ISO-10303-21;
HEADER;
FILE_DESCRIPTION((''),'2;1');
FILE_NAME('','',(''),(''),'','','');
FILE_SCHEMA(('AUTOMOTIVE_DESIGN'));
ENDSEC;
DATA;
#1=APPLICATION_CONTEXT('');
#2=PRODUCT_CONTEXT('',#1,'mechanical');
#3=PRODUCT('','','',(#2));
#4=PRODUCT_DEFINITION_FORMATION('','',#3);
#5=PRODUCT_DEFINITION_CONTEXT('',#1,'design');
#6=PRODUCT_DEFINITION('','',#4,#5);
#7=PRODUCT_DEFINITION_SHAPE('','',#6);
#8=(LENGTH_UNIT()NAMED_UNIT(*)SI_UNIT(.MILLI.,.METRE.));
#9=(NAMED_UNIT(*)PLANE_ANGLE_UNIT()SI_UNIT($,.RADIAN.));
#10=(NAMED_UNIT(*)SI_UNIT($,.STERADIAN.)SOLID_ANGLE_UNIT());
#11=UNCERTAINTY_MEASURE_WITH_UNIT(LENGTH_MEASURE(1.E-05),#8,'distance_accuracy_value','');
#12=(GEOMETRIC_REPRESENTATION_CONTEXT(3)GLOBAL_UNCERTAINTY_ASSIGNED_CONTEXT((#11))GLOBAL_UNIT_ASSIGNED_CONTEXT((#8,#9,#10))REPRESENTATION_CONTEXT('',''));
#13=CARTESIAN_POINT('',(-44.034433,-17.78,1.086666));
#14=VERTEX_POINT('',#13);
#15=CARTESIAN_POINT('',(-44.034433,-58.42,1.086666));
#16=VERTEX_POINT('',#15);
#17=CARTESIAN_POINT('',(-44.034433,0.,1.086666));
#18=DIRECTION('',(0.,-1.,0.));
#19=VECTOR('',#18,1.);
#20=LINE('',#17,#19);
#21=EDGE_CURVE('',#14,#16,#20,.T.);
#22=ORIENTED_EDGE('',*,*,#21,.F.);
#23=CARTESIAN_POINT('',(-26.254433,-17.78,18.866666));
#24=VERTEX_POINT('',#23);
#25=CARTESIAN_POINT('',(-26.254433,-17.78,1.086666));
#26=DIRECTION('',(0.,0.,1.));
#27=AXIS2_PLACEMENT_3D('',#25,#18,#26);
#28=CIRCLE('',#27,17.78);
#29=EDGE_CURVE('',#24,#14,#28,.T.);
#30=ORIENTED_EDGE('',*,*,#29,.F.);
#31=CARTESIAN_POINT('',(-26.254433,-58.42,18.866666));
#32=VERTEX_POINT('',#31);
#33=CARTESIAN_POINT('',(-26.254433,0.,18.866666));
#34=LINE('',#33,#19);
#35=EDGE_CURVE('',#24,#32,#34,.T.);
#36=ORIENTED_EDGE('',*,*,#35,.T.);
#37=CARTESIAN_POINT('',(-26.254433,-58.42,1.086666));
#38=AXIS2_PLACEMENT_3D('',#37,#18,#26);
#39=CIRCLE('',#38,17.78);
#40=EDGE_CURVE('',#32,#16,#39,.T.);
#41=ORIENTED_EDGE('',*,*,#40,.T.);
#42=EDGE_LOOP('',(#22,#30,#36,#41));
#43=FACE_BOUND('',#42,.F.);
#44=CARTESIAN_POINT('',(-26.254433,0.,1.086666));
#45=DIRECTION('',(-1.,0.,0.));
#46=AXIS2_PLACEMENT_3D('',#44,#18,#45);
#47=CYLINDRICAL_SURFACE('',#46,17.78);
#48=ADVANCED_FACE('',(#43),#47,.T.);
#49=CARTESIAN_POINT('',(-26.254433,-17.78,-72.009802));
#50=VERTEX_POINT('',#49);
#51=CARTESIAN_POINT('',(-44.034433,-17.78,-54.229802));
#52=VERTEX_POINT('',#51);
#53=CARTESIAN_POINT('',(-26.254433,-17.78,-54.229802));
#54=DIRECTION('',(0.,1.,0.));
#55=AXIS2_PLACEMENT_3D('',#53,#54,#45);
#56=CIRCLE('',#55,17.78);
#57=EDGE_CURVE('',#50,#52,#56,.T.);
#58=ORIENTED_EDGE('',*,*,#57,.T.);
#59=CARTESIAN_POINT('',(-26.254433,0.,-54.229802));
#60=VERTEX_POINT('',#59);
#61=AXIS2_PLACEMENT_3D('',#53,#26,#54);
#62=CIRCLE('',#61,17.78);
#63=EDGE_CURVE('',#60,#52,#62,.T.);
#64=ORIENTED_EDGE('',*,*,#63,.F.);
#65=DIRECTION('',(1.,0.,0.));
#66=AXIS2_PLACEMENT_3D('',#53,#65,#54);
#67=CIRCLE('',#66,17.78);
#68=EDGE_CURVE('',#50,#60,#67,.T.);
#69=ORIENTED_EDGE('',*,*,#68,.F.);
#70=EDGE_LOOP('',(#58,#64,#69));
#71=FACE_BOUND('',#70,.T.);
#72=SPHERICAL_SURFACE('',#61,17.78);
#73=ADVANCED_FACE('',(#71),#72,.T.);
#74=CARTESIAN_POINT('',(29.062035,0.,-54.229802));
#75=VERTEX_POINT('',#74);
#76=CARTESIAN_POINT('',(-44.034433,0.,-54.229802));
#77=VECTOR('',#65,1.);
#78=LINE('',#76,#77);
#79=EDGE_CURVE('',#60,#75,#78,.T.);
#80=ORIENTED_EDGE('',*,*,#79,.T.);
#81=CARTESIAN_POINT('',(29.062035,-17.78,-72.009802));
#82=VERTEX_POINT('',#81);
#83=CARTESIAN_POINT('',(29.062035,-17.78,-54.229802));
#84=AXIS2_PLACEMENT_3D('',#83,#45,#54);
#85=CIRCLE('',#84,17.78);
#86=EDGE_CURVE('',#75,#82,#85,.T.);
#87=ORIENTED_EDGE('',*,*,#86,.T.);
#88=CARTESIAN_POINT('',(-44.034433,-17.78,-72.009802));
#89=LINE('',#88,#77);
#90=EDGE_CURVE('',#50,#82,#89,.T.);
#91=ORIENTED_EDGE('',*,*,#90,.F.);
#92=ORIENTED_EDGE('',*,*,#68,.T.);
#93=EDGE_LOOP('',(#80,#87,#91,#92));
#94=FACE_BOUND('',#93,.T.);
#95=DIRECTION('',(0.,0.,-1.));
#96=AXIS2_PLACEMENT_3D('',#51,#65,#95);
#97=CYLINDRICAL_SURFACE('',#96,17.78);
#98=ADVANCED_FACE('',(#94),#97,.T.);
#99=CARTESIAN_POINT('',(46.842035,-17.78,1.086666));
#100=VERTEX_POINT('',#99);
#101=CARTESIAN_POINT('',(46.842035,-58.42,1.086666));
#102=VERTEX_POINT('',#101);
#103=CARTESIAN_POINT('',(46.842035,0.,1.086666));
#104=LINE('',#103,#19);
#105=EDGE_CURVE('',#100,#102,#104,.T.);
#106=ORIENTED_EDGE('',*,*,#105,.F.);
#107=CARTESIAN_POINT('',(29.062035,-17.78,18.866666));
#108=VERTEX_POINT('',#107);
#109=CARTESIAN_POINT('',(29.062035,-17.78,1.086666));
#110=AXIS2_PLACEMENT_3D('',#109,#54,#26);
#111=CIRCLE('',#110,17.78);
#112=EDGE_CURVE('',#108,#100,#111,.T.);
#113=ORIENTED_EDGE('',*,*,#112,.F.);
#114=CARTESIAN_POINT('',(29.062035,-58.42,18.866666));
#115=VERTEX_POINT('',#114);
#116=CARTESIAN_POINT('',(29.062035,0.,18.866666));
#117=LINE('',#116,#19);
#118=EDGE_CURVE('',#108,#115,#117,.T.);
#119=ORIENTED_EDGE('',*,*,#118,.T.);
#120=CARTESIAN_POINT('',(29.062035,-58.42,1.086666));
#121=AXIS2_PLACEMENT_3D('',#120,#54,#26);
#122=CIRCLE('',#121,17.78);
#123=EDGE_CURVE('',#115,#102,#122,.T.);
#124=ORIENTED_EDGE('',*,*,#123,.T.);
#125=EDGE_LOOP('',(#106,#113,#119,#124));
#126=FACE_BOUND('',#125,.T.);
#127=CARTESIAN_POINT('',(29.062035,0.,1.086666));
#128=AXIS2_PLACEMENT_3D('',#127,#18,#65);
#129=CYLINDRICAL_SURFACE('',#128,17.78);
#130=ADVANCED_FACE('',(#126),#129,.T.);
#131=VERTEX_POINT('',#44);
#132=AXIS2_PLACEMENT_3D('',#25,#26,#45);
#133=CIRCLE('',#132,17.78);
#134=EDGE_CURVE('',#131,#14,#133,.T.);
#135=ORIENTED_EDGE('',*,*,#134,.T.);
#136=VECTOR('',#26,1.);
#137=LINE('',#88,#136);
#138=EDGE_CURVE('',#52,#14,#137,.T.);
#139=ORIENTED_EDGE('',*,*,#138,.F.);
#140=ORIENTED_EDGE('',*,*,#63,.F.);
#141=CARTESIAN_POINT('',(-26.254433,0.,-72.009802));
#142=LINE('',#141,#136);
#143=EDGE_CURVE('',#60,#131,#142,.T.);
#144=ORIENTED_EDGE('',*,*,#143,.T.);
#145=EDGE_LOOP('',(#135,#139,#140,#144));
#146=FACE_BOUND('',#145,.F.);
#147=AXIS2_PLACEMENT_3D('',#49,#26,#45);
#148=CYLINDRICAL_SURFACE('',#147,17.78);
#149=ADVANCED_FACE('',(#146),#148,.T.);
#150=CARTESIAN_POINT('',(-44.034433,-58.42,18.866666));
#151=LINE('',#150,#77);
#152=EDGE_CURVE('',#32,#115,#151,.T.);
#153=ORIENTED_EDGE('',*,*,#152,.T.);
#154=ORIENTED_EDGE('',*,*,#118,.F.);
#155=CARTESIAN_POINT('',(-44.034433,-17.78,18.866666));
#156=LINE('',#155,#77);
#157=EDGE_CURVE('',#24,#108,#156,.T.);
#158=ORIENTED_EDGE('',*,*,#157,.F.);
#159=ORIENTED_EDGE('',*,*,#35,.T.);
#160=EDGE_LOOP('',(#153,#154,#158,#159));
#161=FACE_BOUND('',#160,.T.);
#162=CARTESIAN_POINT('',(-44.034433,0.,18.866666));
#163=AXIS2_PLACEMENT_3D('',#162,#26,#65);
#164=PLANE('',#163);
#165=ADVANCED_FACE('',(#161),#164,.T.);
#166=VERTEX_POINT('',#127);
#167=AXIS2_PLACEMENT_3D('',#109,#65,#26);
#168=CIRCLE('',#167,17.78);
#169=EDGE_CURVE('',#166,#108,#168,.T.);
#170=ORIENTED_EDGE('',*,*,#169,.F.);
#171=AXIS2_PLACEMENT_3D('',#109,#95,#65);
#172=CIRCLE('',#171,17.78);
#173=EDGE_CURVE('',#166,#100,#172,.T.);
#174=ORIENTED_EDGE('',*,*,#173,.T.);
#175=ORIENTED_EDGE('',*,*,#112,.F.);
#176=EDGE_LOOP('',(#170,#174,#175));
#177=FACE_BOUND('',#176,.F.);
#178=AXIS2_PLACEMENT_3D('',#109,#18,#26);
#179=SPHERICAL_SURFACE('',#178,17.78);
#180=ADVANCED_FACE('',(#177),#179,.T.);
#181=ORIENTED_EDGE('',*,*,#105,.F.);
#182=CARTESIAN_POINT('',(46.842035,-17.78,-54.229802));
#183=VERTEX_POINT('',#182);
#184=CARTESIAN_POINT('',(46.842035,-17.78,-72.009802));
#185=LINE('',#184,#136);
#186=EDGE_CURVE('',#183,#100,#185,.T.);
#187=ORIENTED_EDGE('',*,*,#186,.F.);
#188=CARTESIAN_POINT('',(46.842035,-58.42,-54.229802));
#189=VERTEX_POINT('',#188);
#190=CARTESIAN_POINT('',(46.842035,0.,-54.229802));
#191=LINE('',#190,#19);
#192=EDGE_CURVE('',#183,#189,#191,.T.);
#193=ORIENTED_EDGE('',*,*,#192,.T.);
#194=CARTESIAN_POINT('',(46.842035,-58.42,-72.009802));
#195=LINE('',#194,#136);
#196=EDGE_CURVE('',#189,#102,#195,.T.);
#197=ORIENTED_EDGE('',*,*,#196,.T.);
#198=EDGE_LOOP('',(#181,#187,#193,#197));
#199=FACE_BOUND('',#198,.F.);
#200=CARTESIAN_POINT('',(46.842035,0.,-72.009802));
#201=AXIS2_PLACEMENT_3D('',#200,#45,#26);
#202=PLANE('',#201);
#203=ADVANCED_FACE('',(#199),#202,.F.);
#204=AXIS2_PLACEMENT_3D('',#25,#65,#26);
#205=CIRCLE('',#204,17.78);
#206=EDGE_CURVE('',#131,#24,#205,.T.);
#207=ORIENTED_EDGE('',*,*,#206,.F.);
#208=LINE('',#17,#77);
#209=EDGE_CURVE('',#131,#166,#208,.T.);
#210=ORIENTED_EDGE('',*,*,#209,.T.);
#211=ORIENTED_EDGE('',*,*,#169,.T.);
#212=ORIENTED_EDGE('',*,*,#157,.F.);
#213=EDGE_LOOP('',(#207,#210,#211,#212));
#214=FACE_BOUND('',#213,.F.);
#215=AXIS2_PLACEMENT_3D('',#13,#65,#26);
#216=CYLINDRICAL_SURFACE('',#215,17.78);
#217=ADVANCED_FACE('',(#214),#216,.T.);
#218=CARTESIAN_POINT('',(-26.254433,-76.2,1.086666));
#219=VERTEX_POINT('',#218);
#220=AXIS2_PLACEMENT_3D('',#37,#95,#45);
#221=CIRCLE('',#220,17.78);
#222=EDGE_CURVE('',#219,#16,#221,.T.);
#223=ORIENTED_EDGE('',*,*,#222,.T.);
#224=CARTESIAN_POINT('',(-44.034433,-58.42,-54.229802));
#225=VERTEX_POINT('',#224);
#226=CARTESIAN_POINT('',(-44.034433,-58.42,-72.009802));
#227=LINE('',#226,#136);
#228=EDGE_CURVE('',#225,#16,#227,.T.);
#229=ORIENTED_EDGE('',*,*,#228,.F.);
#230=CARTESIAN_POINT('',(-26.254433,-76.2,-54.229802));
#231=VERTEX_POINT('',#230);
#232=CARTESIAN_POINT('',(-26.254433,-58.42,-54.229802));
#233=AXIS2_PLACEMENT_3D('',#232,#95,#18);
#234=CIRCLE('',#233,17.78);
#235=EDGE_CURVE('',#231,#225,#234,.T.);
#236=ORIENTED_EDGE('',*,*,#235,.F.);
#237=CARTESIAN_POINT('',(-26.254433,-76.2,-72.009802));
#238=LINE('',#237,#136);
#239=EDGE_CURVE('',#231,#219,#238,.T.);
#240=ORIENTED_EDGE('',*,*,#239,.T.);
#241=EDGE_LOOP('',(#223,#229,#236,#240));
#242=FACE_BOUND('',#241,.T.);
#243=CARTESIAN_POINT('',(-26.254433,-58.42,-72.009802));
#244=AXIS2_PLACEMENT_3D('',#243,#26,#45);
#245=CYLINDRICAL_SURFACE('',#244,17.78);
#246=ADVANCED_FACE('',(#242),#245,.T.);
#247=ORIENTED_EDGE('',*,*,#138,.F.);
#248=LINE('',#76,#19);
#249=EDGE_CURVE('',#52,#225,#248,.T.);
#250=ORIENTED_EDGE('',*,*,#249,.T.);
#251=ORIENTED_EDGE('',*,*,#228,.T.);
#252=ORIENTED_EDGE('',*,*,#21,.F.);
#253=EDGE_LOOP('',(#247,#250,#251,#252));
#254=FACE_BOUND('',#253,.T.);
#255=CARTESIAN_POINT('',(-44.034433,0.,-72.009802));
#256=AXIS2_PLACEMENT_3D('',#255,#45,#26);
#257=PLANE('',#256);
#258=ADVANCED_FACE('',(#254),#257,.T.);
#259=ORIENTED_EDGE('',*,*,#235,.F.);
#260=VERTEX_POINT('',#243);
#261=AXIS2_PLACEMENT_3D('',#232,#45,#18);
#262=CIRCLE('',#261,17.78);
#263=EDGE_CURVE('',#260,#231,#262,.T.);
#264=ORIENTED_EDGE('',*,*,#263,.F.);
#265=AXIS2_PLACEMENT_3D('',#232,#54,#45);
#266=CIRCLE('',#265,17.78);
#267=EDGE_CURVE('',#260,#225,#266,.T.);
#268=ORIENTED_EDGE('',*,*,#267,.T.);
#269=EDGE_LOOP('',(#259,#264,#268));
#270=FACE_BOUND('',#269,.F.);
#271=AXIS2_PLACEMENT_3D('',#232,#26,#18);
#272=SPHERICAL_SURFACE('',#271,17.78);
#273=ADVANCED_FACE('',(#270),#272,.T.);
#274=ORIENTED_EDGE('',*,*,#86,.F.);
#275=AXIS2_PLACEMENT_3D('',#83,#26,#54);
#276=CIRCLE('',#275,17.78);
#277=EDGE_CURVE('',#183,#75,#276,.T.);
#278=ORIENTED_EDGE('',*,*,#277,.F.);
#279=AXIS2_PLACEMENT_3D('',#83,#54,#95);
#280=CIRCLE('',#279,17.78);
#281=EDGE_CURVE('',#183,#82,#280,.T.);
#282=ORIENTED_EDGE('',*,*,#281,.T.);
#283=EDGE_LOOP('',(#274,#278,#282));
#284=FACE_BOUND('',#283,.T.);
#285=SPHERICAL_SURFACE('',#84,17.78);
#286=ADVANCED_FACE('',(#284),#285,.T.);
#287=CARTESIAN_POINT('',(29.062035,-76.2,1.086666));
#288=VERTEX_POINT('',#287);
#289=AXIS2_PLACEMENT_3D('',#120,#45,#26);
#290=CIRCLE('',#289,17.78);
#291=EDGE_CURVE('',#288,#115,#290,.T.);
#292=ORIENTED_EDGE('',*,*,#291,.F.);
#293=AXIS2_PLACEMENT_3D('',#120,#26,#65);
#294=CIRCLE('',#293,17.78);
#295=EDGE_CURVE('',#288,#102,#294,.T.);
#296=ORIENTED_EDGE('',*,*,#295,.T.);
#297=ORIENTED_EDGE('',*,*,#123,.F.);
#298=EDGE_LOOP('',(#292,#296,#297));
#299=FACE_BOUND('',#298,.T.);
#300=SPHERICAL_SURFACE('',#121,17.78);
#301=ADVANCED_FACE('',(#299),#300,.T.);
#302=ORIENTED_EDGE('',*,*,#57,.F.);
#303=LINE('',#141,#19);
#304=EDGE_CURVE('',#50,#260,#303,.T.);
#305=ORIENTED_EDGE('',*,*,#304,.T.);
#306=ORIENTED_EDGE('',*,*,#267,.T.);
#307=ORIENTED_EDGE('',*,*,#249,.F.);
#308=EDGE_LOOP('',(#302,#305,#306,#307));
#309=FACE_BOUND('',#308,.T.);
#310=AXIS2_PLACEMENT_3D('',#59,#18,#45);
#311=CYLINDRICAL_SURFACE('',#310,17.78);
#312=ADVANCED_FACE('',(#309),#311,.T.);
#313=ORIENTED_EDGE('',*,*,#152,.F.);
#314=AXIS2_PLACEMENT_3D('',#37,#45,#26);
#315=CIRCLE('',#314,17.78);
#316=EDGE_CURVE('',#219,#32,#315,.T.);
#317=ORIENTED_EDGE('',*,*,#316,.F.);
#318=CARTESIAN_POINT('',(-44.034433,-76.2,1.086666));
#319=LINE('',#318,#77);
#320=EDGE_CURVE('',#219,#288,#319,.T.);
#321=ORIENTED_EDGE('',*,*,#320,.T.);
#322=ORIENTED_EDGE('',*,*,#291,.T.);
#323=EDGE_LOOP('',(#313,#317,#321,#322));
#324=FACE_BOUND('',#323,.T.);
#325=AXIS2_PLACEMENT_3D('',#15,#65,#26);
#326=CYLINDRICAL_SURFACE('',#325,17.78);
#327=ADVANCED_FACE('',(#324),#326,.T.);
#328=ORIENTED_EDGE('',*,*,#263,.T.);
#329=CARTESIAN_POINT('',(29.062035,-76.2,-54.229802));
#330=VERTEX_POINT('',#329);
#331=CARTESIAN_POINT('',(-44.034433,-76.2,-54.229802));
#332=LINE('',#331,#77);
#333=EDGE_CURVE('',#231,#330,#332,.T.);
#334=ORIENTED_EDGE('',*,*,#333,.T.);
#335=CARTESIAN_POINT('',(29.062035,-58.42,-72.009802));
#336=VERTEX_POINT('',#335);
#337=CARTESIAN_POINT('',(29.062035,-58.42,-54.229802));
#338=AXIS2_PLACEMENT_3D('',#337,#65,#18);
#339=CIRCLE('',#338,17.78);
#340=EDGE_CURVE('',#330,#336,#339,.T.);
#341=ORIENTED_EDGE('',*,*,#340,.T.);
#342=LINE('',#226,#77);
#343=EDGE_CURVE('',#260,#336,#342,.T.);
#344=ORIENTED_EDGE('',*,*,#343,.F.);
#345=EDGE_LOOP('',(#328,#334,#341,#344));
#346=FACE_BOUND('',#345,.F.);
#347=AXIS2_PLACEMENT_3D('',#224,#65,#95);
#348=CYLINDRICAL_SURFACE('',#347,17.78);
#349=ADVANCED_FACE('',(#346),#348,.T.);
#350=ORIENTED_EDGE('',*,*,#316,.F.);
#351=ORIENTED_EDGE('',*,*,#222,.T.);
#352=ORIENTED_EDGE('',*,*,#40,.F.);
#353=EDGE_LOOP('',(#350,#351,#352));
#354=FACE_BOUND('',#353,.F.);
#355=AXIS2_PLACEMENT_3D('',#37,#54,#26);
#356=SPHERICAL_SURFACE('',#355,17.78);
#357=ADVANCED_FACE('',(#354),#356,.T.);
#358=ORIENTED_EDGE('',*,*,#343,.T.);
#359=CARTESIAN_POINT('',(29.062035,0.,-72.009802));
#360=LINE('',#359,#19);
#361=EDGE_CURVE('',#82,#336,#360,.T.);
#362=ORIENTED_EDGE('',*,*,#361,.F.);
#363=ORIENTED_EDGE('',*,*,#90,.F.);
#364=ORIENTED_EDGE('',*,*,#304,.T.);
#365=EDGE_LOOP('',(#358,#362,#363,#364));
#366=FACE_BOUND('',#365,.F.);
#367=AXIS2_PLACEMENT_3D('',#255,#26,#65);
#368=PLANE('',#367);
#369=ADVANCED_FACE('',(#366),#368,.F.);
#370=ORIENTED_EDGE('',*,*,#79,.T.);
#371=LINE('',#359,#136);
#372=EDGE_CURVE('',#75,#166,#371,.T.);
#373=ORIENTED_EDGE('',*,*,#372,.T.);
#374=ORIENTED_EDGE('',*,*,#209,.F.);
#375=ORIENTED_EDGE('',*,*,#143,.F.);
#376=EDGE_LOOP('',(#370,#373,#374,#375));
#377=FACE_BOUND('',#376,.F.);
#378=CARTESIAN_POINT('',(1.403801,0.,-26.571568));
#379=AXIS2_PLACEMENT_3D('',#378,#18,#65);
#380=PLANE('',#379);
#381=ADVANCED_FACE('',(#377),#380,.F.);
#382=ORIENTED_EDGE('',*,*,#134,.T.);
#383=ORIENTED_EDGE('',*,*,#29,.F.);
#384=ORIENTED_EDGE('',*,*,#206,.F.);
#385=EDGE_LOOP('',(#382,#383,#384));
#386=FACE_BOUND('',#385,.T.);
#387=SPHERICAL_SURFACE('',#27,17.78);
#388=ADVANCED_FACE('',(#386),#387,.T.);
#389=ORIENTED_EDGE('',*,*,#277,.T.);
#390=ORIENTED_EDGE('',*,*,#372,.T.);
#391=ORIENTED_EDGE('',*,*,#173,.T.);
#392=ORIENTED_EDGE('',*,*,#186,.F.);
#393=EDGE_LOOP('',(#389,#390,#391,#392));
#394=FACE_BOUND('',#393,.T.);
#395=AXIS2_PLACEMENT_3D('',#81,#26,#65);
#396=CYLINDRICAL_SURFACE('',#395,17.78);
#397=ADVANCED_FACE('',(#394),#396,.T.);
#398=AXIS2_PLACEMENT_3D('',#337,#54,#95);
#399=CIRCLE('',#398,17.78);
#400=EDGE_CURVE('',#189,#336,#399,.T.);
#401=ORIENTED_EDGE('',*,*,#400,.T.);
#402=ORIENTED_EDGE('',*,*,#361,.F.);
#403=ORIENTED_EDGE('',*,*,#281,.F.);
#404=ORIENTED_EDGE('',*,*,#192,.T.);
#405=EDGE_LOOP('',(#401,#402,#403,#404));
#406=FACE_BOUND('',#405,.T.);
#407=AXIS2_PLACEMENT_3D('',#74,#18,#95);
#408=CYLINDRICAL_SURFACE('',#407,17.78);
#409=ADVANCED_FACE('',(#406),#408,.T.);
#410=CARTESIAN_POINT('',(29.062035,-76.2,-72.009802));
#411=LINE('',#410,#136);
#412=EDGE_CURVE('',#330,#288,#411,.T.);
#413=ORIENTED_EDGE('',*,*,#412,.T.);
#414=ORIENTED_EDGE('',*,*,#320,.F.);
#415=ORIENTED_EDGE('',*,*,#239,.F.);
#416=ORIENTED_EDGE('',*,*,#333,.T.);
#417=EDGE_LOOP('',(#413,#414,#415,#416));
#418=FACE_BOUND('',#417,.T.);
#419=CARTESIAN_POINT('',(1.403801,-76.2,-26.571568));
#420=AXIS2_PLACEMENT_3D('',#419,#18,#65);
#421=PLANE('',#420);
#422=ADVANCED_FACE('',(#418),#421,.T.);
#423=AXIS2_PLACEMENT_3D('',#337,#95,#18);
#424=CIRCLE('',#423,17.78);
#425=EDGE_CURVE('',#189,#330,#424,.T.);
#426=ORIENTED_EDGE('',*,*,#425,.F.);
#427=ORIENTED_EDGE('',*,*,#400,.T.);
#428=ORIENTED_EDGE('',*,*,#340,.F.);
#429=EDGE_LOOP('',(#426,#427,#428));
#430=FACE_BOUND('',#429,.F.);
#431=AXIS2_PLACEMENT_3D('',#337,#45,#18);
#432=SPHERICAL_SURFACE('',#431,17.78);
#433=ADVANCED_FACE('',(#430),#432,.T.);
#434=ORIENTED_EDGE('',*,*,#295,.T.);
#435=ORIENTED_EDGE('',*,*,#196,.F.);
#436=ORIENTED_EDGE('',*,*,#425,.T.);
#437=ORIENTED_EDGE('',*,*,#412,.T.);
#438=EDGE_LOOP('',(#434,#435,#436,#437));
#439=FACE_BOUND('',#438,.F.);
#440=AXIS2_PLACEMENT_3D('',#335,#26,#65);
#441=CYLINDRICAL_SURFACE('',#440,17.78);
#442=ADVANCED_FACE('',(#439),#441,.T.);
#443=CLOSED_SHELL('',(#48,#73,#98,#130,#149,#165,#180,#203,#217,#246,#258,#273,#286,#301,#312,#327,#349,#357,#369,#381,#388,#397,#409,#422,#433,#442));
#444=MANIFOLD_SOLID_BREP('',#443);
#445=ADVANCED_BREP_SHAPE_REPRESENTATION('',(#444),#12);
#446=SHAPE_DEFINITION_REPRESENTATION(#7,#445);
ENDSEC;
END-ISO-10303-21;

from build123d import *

# Parameters (mm, degrees)
F0_W     = 90.876468
F0_H     = 90.876468
F1_DEPTH = 76.2
F2_R     = 17.78


with BuildPart() as f1:
    # F0 (on Front) → F1 (new body)
    with BuildSketch(Plane.XZ):
        with Locations((1.403801, -26.571568)):
            Rectangle(F0_W, F0_H)
    extrude(amount=F1_DEPTH)

    # F2
    f2_edges = [f1.edges().sort_by_distance(p)[0] for p in [
        (-44.034433, -38.1, 18.866666),
        (46.842035, -38.1, 18.866666),
        (1.403801, 0, 18.866666),
        (1.403801, -76.2, 18.866666),
        (-44.034433, 0, -26.571568),
        (1.403801, 0, -72.009802),
        (46.842035, 0, -26.571568),
        (-44.034433, -76.2, -26.571568),
        (1.403801, -76.2, -72.009802),
        (46.842035, -76.2, -26.571568),
        (46.842035, -38.1, -72.009802),
        (-44.034433, -38.1, -72.009802),
    ]]
    fillet(f2_edges, radius=F2_R)


solid = f1.part
